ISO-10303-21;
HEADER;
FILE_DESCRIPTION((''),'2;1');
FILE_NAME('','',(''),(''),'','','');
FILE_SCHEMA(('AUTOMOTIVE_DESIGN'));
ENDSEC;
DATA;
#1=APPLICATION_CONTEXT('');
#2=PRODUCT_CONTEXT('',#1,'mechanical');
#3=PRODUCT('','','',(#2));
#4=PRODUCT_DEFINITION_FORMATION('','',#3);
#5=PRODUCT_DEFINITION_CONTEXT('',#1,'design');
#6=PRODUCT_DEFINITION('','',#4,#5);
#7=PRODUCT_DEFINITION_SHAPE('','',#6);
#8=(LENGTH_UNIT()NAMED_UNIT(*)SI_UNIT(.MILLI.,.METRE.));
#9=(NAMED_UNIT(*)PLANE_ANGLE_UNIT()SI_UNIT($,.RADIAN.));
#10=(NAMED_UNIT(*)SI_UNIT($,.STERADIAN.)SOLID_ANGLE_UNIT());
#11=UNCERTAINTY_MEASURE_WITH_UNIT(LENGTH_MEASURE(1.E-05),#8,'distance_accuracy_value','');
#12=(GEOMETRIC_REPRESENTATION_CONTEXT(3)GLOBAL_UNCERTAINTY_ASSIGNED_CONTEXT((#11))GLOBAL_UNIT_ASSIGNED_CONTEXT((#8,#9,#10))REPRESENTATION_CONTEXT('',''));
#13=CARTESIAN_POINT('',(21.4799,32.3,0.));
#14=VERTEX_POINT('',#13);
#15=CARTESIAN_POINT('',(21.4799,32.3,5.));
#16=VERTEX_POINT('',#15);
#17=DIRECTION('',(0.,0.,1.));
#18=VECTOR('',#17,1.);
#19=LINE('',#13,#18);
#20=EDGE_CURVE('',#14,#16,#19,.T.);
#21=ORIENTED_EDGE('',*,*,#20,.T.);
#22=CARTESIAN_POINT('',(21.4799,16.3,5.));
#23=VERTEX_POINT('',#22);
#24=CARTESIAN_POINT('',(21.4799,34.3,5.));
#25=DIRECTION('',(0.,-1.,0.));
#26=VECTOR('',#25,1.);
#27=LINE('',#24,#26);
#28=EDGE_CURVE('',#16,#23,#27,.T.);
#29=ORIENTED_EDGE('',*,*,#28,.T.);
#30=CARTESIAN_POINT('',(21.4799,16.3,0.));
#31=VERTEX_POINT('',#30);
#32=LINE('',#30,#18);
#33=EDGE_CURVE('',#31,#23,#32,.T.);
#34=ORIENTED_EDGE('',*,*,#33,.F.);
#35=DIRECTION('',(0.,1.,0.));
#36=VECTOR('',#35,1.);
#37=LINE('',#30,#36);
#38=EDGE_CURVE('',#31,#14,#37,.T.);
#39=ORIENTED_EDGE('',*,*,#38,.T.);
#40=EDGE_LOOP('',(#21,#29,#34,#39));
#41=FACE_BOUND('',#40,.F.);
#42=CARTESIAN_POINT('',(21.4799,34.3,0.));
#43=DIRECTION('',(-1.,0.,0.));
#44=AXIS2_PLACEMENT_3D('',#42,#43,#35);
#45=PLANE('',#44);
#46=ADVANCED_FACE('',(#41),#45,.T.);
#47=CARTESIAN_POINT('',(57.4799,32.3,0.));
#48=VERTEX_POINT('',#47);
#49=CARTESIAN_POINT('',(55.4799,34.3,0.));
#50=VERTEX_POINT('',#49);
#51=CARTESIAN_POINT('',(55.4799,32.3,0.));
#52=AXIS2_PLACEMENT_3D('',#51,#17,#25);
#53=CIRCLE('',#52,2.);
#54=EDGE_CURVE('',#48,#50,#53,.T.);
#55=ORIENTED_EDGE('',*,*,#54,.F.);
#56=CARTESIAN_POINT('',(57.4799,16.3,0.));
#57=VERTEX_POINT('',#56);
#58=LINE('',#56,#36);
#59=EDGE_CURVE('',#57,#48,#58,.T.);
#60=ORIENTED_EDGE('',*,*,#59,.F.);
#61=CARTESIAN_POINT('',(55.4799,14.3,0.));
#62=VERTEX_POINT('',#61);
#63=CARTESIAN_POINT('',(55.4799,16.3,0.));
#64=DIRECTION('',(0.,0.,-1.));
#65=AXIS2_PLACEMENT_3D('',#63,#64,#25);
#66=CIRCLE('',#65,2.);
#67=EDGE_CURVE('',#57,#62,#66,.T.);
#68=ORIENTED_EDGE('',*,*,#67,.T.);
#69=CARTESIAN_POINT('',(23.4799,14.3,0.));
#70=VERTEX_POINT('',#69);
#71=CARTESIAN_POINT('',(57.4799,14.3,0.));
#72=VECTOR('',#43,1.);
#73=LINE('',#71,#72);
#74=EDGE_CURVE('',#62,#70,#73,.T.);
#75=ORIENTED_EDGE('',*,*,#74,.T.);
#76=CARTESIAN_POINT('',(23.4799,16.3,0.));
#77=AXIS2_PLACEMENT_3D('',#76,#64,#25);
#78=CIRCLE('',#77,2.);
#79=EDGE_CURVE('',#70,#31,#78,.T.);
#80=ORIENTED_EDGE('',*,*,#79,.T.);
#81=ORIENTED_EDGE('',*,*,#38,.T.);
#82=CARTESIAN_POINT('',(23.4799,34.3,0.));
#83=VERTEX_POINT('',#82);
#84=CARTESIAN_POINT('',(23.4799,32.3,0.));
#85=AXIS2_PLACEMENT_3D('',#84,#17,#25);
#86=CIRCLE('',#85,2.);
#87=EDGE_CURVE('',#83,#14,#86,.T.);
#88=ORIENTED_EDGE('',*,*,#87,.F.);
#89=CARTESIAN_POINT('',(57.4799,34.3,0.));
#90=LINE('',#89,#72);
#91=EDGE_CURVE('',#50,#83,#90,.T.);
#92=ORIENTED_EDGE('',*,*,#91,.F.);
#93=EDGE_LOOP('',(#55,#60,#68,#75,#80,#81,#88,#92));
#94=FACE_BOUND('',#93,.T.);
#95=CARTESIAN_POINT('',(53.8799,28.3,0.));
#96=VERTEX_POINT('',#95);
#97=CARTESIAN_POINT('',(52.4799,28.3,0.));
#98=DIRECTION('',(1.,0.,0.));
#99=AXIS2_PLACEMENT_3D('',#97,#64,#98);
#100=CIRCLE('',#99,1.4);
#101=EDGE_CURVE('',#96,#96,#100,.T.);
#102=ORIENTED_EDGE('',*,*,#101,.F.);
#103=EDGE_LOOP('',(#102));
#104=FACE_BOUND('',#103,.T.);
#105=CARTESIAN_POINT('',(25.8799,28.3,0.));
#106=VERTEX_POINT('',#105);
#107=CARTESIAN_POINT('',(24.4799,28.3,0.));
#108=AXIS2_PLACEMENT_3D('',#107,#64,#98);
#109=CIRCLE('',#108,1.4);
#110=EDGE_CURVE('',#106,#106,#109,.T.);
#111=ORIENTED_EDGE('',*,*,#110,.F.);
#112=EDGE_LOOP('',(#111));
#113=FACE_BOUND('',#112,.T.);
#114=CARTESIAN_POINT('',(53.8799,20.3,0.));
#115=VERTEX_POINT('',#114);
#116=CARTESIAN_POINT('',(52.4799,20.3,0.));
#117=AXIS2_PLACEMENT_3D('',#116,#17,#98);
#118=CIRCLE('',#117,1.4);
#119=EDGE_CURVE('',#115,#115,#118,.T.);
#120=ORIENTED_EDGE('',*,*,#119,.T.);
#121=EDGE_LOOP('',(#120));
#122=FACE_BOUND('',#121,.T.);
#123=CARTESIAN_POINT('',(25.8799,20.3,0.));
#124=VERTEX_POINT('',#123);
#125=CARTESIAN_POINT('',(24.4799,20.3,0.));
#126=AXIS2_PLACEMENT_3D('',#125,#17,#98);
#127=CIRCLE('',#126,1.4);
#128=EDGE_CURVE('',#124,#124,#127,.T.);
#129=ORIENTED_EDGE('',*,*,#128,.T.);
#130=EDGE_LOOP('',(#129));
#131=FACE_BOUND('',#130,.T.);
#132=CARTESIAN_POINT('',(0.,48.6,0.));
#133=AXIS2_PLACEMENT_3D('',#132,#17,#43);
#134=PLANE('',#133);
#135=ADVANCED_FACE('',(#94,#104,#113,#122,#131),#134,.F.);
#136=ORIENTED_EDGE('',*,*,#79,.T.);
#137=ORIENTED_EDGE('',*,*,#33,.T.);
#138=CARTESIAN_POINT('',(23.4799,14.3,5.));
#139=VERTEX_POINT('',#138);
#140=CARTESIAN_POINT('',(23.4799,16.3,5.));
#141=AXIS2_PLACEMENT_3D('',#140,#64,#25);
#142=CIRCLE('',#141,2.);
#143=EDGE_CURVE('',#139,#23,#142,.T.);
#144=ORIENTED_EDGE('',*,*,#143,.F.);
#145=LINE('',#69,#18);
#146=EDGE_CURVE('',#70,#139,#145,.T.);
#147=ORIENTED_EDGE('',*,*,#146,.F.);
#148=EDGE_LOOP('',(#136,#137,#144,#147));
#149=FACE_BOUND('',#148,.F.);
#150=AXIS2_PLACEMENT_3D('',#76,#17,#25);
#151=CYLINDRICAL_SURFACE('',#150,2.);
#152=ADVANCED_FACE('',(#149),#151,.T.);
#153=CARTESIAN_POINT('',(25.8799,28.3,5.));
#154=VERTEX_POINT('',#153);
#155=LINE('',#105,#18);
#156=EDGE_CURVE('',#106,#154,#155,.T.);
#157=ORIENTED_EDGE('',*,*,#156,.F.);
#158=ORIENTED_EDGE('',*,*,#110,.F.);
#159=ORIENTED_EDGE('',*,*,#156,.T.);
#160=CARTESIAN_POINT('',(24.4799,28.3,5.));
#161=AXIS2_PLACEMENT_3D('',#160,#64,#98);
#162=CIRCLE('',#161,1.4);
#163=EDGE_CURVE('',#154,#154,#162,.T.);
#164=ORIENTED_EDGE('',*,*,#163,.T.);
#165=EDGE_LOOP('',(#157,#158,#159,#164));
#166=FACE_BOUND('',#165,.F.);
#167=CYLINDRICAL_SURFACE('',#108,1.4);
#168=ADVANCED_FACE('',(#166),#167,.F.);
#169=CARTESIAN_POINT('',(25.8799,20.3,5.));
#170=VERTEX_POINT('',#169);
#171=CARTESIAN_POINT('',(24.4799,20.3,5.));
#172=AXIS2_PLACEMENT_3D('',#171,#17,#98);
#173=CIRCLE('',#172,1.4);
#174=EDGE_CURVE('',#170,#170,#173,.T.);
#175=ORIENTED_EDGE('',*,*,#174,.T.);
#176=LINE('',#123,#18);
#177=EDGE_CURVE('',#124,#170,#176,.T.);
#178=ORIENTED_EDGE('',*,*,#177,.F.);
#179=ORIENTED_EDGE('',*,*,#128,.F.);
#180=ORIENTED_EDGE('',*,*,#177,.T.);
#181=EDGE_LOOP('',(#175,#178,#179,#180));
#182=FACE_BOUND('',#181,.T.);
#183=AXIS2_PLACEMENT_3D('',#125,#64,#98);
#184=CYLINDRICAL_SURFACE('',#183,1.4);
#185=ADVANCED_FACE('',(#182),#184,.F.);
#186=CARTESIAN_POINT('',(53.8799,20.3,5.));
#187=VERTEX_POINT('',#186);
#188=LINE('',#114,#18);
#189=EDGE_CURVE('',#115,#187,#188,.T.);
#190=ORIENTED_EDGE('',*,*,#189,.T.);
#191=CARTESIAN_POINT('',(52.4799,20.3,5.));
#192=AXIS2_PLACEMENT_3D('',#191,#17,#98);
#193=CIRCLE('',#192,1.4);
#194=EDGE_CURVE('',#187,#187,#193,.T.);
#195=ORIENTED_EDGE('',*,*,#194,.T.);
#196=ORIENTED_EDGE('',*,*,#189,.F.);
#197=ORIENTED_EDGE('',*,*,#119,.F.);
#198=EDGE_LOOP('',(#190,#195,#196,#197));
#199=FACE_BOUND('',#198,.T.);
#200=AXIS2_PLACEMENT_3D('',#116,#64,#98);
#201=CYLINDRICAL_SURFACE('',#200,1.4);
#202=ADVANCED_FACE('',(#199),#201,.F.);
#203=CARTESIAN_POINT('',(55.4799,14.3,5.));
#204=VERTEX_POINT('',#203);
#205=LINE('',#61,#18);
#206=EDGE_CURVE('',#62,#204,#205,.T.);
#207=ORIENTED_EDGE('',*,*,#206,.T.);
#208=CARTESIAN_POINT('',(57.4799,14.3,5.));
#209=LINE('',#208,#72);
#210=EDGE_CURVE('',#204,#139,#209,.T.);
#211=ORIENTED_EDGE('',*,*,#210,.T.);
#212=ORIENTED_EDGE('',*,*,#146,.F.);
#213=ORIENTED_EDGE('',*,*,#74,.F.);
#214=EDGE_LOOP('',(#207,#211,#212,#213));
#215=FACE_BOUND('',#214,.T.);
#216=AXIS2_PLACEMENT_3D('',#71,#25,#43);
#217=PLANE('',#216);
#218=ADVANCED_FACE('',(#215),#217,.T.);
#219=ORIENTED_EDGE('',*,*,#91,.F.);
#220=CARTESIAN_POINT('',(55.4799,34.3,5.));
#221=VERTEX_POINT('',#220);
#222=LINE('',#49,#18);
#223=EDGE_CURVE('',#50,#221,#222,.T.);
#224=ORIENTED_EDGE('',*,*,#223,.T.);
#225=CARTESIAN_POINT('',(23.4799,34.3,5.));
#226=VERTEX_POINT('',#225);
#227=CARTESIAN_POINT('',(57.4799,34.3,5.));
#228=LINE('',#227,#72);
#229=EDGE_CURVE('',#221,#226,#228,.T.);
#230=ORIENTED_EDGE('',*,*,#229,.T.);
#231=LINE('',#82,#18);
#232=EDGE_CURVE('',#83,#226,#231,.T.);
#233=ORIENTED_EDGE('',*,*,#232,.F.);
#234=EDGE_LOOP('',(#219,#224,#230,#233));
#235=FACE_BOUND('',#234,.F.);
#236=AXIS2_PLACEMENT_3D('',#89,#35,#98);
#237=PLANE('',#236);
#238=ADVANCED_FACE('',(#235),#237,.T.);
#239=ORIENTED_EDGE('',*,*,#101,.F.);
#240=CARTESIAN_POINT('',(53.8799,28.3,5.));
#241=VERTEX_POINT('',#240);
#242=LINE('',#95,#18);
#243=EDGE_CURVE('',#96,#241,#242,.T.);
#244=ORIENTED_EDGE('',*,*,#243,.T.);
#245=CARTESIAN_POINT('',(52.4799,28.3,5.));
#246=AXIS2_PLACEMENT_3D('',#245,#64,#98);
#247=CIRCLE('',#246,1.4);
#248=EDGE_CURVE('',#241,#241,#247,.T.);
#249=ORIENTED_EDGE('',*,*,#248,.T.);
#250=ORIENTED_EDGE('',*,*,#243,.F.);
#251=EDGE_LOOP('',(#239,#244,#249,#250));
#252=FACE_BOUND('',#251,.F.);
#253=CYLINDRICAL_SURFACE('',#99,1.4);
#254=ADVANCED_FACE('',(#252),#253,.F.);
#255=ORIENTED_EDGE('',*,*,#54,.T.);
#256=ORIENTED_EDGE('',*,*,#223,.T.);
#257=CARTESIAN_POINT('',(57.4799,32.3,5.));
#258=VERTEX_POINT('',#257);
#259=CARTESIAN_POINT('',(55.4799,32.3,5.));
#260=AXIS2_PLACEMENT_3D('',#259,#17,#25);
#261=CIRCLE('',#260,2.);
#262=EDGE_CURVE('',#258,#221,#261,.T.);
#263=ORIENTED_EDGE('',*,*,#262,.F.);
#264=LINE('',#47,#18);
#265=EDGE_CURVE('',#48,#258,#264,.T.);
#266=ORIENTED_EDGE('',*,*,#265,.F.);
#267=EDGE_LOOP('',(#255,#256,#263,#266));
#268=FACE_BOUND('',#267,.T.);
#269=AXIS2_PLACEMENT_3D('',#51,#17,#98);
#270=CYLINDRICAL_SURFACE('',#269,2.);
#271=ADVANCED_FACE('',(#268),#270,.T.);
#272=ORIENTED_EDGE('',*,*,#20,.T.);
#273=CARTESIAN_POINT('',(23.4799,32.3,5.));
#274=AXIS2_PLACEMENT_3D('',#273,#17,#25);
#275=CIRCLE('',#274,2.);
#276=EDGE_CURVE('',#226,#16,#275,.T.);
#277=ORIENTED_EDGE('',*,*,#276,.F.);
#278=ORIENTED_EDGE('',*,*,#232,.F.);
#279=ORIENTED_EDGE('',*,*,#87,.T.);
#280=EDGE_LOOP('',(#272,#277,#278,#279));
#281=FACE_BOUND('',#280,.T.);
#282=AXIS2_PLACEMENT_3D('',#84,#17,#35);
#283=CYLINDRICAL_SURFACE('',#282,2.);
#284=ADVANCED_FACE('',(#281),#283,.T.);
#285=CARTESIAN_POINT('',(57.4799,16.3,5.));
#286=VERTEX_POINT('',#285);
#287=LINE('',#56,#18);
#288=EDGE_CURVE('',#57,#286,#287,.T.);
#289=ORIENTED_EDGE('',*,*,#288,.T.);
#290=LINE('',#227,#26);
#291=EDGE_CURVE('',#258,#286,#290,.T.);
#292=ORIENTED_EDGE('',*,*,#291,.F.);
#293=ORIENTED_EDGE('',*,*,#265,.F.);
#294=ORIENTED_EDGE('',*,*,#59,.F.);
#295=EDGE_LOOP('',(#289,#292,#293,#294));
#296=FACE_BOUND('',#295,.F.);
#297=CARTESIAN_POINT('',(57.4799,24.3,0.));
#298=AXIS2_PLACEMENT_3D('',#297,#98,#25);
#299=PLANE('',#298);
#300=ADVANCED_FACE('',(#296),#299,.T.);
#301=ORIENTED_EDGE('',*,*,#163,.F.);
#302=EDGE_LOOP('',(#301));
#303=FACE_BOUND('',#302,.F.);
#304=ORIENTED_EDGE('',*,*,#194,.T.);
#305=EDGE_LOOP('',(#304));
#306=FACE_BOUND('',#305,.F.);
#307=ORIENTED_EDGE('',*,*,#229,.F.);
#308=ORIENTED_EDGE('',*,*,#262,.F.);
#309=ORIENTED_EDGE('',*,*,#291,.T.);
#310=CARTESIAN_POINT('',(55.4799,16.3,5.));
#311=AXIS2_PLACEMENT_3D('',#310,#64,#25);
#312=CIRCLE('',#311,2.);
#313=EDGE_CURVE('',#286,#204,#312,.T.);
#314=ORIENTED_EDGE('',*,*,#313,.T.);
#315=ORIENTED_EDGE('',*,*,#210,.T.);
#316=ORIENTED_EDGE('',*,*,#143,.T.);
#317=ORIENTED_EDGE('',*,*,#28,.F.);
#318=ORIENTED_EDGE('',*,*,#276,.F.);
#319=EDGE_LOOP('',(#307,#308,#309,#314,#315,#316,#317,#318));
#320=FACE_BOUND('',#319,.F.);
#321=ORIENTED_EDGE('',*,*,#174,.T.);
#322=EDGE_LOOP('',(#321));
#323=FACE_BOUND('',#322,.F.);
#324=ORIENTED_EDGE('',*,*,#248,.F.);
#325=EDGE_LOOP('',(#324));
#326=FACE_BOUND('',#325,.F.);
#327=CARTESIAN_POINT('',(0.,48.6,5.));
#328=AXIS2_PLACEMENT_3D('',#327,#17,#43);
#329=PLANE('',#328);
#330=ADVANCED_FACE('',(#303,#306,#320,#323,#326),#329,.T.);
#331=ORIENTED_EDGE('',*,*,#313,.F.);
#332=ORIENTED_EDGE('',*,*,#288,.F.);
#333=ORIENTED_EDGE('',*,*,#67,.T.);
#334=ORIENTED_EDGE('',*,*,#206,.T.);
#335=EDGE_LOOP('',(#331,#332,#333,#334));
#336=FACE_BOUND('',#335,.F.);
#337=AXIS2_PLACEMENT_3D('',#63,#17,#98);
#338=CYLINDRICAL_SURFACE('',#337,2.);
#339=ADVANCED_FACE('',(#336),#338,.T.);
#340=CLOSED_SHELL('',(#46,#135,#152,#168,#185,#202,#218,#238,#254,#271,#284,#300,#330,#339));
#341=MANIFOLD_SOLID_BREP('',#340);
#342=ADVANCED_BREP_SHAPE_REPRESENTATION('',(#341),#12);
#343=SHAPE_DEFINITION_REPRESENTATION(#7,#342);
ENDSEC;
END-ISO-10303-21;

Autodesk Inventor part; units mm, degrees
ref_plane "YZ Plane" through (0, 0, 0) normal (1, 0, 0) x (0, 1, 0)
ref_plane "XZ Plane" through (0, 0, 0) normal (0, 1, 0) x (-1, 0, 0)
ref_plane "XY Plane" through (0, 0, 0) normal (0, 0, 1) x (1, 0, 0)
ref_plane "Arbeitsebene1" through (0, 0, 0) normal (0, 0, 1) x (1, 0, 0)
sketch "Skizze1" plane through (0, 0, 0) normal (0, 0, 1) x (1, 0, 0)
  circle A0 centre (86.3298, 4) radius 1.4 projected
  circle A1 centre (24.4799, 20.3) radius 1.4 projected
  circle A2 centre (52.4799, 20.3) radius 1.4 projected
  circle A3 centre (52.4799, 6.2) radius 1.4 projected
  circle A4 centre (24.4799, 6.2) radius 1.4 projected
  circle A5 centre (7.3298, 20.3) radius 1.4 projected
  circle A6 centre (7.3298, 4) radius 1.4 projected
  line L0 (90, 24.3) -> (90, 0) projected
  line L1 (89.0152, 24.3) -> (90, 24.3) projected
  line L2 (89.0152, 24.3) -> (89.0152, 10) projected
  line L3 (89.0152, 10) -> (59.35, 10) projected
  line L4 (59.35, 10) -> (59.35, 24.3) projected
  line L5 (5, 24.3) -> (59.35, 24.3) projected
  line L6 (5, 0) -> (5, 24.3) projected
  line L7 (5, 0) -> (90, 0) projected
  line L8 (6, 48.6) -> (6, 24.3) projected
  line L9 (6, 24.3) -> (60.35, 24.3) projected
  line L10 (60.35, 38.6) -> (60.35, 24.3) projected
  line L11 (89.95, 38.6) -> (60.35, 38.6) projected
  line L12 (89.95, 24.3) -> (89.95, 38.6) projected
  line L13 (89.95, 24.3) -> (91, 24.3) projected
  line L14 (91, 24.3) -> (91, 48.6) projected
  line L15 (6, 48.6) -> (91, 48.6) projected
  line L16 (21.4799, 24.3) -> (57.4799, 24.3)
  line L17 (57.4799, 24.3) -> (57.4799, 14.3)
  line L18 (57.4799, 14.3) -> (21.4799, 14.3)
  line L19 (21.4799, 14.3) -> (21.4799, 24.3)
  point P0 (0, 0)
  dimension "d0" = 36
  dimension "d1" = 10
  dimension "d2" = 3
extrude "Extrusion1" add sketch "Skizze1" along normal blind 5 contours L5 L17 L18 L19
fillet "Rundung1" radius 2 2 edges at (21.4799, 14.3, 2.5) (57.4799, 14.3, 2.5)
mirror "Spiegeln1" about plane through (57.4799, 24.3, 0) normal (0, 1, 0) of "Extrusion1", "Rundung1"
properties part number "60_Planktoscope_Cabletie"
